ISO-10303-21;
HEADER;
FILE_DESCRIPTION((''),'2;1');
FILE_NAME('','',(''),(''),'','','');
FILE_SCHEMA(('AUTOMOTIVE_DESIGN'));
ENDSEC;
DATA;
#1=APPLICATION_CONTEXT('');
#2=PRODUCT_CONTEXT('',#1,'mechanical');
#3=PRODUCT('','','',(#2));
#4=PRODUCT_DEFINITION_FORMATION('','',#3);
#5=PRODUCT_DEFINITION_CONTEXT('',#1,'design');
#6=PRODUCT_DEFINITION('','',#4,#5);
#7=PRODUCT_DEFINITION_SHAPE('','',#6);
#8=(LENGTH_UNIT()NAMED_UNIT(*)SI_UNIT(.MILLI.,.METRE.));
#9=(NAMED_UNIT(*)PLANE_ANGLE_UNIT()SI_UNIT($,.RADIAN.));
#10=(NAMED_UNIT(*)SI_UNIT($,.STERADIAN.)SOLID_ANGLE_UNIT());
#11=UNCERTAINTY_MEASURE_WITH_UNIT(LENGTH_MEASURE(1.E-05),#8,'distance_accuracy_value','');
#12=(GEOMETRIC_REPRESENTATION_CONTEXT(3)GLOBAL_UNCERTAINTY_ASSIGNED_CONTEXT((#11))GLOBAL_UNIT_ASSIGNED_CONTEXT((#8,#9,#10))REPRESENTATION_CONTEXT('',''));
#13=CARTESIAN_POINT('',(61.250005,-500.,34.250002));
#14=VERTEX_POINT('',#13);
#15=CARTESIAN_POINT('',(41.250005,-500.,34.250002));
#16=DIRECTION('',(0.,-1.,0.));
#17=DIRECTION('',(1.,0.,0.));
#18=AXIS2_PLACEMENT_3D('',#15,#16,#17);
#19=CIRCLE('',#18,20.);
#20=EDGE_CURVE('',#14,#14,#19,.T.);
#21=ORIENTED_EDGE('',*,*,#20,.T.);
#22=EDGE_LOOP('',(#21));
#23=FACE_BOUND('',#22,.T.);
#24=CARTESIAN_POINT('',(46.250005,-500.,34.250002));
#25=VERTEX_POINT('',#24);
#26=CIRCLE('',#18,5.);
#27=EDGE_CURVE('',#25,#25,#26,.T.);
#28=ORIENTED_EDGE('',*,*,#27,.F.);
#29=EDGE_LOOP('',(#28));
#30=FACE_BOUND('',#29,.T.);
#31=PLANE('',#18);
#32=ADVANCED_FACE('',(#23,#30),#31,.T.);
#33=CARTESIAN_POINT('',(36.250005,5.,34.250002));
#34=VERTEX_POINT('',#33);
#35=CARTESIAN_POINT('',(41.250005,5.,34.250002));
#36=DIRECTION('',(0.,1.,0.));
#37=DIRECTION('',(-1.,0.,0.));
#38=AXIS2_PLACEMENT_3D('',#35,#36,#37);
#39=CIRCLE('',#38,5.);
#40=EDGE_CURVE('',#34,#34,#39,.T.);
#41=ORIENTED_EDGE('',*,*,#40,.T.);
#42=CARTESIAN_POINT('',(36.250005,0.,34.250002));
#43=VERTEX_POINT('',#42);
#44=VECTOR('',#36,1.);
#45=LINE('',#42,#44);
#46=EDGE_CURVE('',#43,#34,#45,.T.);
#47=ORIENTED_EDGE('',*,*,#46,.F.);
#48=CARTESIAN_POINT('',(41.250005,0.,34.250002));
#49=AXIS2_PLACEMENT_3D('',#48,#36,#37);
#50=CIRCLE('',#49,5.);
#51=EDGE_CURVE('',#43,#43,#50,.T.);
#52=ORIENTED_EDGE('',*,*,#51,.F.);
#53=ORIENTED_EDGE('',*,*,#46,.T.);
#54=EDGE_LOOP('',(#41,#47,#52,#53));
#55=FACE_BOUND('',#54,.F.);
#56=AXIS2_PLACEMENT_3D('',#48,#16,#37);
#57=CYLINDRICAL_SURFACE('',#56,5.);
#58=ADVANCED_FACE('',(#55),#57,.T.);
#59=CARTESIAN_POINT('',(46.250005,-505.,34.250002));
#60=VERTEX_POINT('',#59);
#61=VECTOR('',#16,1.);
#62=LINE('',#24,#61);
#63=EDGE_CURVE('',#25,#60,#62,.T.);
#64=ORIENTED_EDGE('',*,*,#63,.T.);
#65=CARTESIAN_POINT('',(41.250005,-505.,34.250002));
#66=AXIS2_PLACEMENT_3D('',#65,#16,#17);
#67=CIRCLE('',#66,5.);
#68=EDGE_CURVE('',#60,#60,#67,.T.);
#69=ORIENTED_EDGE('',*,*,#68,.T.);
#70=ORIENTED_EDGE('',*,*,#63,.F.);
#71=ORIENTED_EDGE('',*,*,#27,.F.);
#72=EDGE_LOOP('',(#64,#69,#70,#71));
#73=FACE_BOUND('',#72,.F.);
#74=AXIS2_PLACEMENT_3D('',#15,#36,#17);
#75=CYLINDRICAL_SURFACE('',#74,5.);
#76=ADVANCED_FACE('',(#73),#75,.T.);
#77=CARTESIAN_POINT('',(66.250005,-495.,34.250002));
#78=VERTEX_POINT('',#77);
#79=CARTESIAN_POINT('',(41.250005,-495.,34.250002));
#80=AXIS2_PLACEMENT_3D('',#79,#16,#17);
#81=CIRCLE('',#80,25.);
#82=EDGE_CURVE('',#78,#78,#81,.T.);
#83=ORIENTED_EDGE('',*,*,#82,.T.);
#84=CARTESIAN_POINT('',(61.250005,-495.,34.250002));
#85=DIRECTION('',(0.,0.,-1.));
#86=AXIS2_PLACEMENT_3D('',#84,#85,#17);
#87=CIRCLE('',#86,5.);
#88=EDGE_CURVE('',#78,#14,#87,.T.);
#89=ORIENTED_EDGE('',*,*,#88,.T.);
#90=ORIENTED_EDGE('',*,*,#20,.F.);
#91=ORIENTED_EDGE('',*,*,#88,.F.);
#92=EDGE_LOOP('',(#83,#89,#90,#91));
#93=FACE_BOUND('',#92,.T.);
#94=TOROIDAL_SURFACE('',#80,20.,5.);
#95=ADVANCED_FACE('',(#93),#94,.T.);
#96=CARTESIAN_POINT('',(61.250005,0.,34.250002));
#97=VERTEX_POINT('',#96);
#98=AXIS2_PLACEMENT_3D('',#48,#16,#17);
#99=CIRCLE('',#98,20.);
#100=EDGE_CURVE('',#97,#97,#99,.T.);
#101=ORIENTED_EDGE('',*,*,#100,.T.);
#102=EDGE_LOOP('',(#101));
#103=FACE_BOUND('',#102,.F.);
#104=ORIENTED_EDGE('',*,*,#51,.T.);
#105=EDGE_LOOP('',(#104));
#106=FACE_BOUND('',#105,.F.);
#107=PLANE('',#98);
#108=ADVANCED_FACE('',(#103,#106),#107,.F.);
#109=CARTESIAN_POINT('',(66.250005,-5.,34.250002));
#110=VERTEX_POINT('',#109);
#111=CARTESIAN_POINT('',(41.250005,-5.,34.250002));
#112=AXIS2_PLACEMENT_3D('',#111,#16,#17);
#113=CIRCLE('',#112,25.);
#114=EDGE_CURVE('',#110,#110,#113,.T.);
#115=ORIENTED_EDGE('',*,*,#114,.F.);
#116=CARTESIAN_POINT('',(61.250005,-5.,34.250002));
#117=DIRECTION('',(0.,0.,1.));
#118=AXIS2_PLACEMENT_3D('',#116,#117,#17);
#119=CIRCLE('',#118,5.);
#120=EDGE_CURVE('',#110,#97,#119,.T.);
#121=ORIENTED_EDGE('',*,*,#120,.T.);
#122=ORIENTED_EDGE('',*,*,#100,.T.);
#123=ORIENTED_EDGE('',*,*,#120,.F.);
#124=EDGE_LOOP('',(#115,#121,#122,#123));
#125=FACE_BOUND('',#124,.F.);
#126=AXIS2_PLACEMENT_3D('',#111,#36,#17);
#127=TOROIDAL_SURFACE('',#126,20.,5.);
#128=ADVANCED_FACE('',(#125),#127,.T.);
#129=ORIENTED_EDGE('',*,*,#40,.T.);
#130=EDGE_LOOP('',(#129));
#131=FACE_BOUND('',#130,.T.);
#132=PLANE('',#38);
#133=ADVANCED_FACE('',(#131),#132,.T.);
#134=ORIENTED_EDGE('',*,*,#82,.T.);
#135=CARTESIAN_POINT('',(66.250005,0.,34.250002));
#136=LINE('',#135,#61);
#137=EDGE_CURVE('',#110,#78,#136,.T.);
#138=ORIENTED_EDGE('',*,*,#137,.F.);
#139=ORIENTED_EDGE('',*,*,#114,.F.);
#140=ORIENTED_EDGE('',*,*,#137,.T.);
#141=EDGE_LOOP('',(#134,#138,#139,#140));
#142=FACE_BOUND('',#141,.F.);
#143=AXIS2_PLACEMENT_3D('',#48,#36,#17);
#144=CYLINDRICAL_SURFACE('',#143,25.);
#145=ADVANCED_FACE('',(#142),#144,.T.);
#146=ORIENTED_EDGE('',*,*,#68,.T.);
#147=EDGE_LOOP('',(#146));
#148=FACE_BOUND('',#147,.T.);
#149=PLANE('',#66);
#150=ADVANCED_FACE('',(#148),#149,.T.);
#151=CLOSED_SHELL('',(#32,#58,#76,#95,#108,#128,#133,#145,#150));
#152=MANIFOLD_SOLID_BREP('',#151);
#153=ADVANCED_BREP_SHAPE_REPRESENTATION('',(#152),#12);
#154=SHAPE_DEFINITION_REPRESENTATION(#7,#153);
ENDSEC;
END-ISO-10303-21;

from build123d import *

# Parameters (mm, degrees)
F0_R     = 25
F1_DEPTH = 500
F2_R     = 5
F3_DEPTH = 5
F4_R     = 5
F5_DEPTH = 5
F6_R     = 5
F7_R     = 5


with BuildPart() as f1:
    # F0 (on Front) → F1 (new body)
    with BuildSketch(Plane.XZ):
        with Locations((41.250005, 34.250002)):
            Circle(F0_R)
    extrude(amount=F1_DEPTH)

    # F2 (on face) → F3 (join)
    with BuildSketch(Plane(origin=(0, 0, 0), x_dir=(-1, 0, 0), z_dir=(0, 1, 0))):
        with Locations((-41.250005, 34.250002)):
            Circle(F2_R)
    extrude(amount=F3_DEPTH)

    # F4 (on face) → F5 (join)
    with BuildSketch(Plane.XZ.offset(500)):
        with Locations((41.250005, 34.250002)):
            Circle(F4_R)
    extrude(amount=F5_DEPTH)

    # F6
    f6_edges = [f1.edges().sort_by_distance(p)[0] for p in [
        (16.250005, 0, 34.250002),
    ]]
    fillet(f6_edges, radius=F6_R)

    # F7
    f7_edges = [f1.edges().sort_by_distance(p)[0] for p in [
        (16.250005, -500, 34.250002),
    ]]
    fillet(f7_edges, radius=F7_R)


solid = f1.part
